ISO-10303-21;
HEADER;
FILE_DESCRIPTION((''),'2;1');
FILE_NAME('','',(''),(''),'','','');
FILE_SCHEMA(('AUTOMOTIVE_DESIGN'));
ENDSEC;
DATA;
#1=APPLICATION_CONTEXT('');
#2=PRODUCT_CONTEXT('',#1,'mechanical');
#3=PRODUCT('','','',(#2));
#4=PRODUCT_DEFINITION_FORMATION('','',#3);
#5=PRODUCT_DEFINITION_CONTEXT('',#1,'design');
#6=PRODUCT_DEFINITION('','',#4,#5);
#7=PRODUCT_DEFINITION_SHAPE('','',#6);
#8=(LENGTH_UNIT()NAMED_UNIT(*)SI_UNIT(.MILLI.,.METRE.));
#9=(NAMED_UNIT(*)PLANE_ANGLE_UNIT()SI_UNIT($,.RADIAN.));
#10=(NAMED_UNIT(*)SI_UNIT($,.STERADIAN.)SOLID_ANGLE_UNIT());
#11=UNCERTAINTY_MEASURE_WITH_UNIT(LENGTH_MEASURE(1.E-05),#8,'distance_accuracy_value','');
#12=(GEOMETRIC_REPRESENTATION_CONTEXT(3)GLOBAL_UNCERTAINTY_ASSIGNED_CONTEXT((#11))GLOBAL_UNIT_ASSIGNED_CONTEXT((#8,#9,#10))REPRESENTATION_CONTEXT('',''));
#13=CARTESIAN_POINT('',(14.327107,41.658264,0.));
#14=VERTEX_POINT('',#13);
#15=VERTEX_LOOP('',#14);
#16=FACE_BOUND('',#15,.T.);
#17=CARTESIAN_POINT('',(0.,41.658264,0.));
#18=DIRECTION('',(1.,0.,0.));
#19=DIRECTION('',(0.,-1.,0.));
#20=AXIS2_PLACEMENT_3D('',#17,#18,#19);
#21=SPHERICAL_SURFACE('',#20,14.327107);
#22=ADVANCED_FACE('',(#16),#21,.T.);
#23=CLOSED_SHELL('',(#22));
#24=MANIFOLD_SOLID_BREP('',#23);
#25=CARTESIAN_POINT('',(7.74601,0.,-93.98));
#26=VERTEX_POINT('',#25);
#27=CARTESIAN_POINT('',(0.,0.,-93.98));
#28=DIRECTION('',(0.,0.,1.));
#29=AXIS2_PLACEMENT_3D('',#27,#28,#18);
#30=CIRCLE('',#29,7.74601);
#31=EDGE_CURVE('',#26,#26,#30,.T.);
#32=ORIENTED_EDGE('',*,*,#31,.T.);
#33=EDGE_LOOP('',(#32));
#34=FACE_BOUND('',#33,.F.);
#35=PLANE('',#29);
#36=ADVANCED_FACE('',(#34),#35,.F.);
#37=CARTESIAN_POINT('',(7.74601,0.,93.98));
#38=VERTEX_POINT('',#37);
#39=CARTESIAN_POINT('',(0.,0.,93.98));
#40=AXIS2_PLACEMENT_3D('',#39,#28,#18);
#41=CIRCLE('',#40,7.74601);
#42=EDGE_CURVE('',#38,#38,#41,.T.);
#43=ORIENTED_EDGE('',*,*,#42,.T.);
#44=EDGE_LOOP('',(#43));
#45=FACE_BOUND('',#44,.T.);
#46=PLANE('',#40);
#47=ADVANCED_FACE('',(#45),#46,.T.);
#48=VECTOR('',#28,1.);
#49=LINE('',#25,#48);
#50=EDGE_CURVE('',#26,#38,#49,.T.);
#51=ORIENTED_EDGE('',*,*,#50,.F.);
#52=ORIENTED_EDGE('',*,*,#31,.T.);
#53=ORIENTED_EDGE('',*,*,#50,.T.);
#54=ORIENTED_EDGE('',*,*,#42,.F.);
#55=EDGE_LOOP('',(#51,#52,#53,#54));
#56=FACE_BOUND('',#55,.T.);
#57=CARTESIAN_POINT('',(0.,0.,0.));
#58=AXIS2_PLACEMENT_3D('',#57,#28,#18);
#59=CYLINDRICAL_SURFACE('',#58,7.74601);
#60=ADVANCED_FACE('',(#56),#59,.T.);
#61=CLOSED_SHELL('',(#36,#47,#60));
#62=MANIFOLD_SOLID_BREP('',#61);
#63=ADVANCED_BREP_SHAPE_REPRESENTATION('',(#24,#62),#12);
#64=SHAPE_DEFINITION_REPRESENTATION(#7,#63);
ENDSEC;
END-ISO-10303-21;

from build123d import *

# Parameters (mm, degrees)
F0_R     = 7.7460104288
F1_DEPTH = 93.98


with BuildPart() as f1:
    # F0 (on Top) → F1 (new body, symmetric)
    with BuildSketch(Plane.XY):
        Circle(F0_R)
    extrude(amount=F1_DEPTH, both=True)


with BuildPart() as f3:
    # F2 (on Top) → F3 (revolve)
    with BuildSketch(Plane.XY):
        with BuildLine():
            ThreePointArc((-14.3271069974, 41.6582636535), (0, 27.3311566561), (14.3271069974, 41.6582636535))
            Line((14.3271069974, 41.6582636535), (0, 41.6582636535))
            Line((0, 41.6582636535), (-14.3271069974, 41.6582636535))
        make_face()
    revolve(axis=Axis((10.9106395394, 41.6582636535, 0), (1, 0, 0)))


solid = Compound([f1.part, f3.part])
